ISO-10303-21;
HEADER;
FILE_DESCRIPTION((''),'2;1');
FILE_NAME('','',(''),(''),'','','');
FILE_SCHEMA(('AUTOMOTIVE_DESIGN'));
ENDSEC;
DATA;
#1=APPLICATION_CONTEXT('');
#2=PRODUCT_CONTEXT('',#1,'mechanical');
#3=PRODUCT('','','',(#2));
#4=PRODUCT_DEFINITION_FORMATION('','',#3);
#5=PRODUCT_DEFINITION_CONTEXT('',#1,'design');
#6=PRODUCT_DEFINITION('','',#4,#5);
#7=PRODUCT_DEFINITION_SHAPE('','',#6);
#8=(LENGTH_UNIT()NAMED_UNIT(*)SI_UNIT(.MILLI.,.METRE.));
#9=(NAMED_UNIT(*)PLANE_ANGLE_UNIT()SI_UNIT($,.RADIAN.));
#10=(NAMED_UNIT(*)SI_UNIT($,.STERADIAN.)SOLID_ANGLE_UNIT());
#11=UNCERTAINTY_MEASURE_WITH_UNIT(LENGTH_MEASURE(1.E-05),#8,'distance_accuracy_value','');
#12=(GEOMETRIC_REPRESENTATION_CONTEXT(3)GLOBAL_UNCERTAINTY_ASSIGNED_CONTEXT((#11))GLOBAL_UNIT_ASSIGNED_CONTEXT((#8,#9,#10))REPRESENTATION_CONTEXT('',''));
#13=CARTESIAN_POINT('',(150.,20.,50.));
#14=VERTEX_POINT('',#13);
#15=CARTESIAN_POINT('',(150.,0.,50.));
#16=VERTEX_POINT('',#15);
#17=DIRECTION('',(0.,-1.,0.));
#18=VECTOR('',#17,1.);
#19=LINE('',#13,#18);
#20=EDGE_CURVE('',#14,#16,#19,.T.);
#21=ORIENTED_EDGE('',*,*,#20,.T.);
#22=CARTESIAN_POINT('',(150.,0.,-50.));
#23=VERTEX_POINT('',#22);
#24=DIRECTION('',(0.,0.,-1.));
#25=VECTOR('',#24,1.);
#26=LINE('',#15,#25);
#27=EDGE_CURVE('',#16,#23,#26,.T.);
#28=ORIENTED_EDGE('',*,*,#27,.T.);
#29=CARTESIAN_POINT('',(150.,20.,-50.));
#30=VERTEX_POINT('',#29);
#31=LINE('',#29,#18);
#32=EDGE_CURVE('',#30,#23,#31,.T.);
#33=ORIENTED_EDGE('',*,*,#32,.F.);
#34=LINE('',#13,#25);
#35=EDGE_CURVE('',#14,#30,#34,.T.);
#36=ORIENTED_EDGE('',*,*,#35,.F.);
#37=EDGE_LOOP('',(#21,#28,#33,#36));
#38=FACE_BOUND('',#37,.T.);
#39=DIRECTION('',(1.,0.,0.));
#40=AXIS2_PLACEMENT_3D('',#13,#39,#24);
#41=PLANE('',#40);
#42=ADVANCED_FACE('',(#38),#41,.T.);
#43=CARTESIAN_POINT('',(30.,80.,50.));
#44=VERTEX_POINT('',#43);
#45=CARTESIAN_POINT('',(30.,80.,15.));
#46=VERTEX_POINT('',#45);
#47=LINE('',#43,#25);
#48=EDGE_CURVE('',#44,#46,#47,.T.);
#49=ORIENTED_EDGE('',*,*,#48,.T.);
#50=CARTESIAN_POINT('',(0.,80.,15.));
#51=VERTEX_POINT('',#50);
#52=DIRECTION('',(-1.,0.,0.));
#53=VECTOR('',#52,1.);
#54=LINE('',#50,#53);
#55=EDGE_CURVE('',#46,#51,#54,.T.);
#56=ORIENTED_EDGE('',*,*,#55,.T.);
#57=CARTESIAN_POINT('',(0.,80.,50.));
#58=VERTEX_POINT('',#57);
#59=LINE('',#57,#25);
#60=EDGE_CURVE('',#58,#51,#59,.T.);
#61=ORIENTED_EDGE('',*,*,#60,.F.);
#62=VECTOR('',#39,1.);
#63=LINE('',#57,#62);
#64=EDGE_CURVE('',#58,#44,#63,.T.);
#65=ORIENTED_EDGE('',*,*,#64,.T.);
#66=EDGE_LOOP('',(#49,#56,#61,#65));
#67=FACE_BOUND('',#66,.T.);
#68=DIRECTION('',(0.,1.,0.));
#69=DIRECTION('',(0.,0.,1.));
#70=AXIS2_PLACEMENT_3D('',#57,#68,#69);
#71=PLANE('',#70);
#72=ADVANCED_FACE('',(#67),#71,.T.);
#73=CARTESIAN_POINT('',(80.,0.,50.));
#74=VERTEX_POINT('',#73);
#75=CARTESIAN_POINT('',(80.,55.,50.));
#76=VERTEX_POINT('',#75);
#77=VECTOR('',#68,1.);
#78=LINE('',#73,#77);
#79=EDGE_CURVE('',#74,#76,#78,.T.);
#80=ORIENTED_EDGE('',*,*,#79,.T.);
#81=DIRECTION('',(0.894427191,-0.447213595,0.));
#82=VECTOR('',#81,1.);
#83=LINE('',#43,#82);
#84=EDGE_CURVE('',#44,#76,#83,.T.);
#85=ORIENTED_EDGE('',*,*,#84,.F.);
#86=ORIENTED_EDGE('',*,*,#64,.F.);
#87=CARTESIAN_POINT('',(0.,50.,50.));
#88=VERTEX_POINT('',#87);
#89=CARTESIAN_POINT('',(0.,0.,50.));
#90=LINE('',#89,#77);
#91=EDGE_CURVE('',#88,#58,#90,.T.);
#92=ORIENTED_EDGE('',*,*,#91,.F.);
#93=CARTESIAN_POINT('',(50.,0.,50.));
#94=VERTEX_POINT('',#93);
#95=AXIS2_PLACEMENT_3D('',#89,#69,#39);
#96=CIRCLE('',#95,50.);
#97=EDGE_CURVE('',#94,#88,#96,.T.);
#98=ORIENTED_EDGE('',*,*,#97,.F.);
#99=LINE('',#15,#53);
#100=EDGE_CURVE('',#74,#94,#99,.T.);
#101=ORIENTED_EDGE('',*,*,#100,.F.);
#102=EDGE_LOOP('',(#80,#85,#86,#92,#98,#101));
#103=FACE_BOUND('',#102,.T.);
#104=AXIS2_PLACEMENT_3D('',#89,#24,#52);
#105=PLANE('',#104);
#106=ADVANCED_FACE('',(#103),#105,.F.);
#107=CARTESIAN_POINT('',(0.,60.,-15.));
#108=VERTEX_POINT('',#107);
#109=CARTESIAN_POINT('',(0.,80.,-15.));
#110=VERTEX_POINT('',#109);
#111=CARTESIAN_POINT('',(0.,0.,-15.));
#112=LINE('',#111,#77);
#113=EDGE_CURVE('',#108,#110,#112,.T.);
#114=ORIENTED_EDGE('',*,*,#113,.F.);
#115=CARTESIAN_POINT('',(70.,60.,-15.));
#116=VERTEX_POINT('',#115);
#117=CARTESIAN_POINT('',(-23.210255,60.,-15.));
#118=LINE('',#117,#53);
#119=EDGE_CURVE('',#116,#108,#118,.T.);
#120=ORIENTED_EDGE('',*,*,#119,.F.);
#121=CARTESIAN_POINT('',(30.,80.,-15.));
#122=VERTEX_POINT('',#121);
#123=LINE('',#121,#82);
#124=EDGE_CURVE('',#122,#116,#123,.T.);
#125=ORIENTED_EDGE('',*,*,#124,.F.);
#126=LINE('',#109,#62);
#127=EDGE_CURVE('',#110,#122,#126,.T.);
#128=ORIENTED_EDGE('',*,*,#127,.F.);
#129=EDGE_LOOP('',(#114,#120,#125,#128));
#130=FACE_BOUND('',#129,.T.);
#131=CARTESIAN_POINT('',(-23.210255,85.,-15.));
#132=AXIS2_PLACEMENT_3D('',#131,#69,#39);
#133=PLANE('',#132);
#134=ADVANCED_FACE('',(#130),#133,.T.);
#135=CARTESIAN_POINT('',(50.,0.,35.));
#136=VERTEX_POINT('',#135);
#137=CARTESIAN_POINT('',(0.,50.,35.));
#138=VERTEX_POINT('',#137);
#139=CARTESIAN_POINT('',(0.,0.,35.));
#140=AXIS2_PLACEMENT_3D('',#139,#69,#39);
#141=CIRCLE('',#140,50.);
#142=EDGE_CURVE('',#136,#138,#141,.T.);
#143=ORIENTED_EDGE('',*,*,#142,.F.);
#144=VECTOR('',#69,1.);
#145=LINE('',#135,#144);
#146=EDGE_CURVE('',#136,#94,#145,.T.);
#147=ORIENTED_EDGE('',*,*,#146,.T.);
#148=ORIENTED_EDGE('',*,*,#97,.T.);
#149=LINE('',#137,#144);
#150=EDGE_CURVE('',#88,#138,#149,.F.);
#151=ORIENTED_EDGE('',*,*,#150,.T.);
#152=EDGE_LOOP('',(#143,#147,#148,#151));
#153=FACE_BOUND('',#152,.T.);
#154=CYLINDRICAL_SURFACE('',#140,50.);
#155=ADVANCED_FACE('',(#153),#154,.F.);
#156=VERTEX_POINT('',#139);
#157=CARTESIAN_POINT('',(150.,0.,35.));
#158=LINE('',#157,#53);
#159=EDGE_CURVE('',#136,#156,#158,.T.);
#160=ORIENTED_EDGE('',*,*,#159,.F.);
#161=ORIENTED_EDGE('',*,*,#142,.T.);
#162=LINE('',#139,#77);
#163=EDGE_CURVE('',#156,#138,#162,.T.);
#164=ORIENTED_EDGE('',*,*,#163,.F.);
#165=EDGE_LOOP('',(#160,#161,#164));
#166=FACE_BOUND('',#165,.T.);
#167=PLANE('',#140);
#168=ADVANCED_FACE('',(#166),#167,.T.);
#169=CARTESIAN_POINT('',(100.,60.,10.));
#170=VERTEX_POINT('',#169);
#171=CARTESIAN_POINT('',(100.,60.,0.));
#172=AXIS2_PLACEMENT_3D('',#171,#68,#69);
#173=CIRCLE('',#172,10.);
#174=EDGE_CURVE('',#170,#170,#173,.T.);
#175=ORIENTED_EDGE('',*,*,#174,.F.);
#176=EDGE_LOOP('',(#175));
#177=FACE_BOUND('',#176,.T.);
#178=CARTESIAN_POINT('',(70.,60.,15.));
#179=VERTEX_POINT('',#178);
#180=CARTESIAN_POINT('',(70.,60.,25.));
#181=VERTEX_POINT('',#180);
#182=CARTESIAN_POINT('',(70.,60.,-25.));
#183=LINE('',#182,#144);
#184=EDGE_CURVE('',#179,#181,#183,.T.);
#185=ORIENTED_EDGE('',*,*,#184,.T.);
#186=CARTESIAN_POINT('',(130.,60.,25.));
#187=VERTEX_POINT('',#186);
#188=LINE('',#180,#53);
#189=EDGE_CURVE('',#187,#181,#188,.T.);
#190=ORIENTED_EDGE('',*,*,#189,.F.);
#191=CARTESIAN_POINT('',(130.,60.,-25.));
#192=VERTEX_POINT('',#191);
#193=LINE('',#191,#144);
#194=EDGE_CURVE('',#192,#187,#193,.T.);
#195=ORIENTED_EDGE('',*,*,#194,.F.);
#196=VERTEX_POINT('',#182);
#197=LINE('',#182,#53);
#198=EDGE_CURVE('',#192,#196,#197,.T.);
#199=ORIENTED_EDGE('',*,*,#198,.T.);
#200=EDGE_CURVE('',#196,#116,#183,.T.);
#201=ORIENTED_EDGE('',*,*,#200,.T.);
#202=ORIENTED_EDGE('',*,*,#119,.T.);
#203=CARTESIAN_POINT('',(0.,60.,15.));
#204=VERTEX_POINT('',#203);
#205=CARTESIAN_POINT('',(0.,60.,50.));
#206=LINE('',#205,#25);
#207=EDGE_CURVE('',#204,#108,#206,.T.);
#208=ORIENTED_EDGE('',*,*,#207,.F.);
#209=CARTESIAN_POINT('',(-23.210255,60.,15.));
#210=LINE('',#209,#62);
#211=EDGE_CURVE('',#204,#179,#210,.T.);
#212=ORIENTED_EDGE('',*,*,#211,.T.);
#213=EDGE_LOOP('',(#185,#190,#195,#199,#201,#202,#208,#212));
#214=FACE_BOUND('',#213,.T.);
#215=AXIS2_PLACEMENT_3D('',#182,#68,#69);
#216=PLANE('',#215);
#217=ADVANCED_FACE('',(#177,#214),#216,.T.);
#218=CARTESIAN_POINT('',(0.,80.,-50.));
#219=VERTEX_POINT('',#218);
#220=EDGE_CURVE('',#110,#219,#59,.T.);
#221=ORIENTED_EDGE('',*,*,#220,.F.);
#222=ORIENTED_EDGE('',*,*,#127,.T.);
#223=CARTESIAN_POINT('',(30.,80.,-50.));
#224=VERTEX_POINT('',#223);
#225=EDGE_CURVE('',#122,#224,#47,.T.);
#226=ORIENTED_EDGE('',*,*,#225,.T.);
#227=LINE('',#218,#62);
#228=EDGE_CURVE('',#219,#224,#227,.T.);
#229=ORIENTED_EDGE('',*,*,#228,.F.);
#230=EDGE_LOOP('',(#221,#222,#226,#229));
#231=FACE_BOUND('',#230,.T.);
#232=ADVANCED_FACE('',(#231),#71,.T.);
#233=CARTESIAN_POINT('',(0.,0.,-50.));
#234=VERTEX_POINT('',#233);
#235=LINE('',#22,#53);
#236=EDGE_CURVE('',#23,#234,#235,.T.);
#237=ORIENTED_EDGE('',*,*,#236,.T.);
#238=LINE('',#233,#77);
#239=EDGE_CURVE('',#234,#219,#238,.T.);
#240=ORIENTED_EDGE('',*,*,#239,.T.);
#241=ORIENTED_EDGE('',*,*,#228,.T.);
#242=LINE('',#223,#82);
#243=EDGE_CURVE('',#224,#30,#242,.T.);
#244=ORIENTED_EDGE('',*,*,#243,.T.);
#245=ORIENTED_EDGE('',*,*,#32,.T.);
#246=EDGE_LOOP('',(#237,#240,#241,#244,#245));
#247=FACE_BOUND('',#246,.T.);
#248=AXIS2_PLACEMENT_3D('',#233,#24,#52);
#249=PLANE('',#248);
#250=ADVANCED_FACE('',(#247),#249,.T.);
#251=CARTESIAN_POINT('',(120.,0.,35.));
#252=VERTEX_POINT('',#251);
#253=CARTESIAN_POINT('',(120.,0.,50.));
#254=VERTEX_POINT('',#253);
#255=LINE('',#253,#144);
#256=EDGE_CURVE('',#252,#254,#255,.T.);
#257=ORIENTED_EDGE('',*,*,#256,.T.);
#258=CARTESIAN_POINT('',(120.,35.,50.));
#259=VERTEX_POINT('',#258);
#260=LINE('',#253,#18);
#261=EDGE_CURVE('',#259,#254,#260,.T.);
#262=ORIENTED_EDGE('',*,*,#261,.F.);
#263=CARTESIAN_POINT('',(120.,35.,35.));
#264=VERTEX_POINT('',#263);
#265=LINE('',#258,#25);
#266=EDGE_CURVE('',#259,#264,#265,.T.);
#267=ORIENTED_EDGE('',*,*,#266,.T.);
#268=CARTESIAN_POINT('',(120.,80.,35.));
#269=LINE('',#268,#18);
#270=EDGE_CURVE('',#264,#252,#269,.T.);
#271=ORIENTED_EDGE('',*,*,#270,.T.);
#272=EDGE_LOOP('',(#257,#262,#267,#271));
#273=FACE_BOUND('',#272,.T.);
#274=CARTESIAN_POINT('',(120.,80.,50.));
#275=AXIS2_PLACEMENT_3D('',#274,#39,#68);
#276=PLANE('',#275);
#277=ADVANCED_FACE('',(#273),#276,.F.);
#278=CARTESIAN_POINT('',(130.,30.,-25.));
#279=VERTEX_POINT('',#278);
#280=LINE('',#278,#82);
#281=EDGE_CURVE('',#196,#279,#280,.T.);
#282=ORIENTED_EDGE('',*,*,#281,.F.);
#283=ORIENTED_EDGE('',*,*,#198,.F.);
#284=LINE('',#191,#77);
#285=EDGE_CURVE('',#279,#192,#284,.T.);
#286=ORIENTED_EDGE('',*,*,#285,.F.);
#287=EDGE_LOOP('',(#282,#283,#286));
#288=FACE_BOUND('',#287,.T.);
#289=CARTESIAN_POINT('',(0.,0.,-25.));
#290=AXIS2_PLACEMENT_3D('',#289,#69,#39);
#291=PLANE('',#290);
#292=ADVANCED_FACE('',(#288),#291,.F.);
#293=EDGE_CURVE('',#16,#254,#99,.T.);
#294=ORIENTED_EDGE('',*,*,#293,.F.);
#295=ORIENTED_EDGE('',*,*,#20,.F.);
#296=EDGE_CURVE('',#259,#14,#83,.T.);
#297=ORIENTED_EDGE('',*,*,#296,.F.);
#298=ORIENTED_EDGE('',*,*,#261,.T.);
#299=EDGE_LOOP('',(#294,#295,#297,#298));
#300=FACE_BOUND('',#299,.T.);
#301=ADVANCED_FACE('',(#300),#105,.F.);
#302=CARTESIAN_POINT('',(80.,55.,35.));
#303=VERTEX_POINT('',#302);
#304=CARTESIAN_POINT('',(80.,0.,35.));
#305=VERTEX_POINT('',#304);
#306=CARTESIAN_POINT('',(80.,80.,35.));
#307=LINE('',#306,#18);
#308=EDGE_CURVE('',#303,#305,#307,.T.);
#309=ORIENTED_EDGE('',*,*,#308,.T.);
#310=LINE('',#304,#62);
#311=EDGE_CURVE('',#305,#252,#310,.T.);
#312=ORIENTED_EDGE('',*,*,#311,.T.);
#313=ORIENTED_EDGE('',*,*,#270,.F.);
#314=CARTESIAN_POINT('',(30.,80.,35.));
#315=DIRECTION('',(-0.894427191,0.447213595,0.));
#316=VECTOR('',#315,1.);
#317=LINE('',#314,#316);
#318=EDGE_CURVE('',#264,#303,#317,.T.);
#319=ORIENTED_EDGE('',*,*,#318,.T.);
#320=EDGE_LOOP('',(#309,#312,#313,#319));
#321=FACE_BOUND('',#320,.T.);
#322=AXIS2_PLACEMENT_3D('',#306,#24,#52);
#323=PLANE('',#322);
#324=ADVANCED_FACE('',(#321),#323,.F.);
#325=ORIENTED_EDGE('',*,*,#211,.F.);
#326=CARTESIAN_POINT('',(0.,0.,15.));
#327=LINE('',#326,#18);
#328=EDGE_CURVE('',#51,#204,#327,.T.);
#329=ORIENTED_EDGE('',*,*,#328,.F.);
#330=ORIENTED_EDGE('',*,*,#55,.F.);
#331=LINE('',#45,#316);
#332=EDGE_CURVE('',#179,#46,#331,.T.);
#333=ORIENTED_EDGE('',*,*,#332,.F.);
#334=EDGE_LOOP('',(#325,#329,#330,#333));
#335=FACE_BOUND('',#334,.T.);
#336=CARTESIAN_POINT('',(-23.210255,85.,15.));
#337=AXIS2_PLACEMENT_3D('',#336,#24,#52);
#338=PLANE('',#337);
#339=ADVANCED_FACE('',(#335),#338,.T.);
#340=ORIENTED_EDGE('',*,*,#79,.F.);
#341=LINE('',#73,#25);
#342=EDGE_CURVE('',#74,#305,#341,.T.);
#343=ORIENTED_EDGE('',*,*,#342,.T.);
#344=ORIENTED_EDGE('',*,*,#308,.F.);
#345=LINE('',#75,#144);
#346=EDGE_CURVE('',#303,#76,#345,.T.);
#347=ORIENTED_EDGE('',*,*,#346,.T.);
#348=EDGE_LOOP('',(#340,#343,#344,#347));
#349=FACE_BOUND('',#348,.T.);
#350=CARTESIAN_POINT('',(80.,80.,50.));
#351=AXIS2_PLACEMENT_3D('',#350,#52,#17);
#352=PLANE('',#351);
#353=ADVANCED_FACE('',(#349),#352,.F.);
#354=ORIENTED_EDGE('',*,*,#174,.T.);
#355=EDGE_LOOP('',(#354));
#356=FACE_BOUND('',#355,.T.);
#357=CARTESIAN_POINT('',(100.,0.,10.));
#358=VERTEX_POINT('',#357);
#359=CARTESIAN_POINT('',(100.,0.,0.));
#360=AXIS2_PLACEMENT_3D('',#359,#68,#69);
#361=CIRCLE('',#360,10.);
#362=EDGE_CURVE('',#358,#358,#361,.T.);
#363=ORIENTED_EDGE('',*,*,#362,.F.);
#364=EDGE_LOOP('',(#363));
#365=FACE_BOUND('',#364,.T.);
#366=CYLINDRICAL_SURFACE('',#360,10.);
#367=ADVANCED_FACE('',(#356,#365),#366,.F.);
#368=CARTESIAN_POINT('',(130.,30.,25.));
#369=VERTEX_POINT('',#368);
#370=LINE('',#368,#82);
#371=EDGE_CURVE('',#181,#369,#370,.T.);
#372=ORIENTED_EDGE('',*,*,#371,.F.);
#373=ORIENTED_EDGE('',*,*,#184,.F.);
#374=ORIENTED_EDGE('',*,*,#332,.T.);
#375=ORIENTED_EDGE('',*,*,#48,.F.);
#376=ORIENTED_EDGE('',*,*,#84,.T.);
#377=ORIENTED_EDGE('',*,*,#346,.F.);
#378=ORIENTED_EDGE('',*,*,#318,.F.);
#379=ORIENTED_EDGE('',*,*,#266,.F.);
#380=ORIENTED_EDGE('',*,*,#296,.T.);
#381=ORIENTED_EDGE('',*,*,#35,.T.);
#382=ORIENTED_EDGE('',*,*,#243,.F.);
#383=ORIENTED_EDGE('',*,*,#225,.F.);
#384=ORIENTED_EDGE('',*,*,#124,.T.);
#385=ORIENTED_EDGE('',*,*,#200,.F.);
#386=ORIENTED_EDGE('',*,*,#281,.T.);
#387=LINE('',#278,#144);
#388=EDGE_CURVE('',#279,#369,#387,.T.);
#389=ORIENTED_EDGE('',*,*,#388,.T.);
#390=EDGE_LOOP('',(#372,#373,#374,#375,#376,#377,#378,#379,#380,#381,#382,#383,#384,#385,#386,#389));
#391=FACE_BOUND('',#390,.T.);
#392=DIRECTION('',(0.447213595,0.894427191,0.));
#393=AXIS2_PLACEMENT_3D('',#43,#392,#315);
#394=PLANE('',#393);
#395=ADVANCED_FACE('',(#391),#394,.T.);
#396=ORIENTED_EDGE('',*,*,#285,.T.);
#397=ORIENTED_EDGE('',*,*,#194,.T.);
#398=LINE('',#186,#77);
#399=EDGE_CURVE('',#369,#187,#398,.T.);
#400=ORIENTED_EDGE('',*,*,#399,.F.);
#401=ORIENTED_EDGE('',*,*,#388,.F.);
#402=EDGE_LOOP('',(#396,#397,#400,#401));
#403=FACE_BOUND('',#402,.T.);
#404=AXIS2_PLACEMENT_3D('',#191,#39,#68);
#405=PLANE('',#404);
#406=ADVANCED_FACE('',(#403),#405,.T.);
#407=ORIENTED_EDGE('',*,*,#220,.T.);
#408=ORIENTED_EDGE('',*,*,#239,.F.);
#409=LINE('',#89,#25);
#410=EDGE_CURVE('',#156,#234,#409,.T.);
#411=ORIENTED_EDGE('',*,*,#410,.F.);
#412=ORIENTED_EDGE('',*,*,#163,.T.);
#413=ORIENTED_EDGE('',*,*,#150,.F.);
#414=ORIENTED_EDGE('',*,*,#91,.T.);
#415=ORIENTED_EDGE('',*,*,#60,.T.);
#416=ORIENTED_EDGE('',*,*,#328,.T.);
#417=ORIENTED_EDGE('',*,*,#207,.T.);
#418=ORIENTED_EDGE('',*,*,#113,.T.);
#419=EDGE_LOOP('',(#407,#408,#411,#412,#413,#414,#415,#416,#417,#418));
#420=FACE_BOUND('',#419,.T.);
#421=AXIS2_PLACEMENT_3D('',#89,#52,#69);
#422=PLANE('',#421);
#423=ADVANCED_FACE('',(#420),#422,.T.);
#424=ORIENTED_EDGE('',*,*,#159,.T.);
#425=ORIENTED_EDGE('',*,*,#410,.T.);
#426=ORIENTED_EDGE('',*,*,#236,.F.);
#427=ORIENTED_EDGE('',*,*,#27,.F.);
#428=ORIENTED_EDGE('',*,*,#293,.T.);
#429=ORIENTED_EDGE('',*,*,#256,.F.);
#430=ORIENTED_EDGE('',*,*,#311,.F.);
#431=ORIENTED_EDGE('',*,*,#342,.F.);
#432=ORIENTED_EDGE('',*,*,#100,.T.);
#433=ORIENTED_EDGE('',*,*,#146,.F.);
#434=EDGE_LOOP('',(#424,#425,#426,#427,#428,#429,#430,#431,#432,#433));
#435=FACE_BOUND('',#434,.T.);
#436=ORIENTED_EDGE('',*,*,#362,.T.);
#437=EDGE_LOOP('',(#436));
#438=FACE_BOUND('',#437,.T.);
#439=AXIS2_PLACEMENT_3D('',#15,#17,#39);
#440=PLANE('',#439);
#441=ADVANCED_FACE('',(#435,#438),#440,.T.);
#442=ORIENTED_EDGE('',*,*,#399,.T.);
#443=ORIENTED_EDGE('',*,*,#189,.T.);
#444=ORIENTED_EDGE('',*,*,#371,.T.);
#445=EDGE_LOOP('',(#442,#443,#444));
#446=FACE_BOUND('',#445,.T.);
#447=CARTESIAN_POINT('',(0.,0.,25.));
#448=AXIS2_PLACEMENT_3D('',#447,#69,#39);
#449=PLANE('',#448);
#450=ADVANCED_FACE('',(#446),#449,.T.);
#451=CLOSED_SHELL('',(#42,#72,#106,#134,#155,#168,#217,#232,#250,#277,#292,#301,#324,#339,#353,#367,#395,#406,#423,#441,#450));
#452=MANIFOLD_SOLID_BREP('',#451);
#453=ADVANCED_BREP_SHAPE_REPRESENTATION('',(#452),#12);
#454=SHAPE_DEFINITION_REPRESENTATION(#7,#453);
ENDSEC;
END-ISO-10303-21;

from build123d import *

# Parameters (mm, degrees)
BOSS_EXTRUDE1_DEPTH      = 50
BOSS_EXTRUDE1_DEPTH_BACK = 50
SKETCH2_R                = 50
CUT_EXTRUDE2_DEPTH       = 15
BOSS_EXTRUDE2_DEPTH      = 25
BOSS_EXTRUDE2_DEPTH_BACK = 25
SKETCH5_W                = 104.607091917
SKETCH5_H                = 30
CUT_EXTRUDE3_DEPTH       = 25
SKETCH6_W                = 40
SKETCH6_H                = 15
CUT_EXTRUDE4_DEPTH       = 178.200451467
SKETCH7_R                = 10
CUT_EXTRUDE5_DEPTH       = 170.115345253


with BuildPart() as part:
    # Sketch1 → Boss-Extrude1 (new, two sides: drawn at the far end of the back side and taken through both)
    with BuildSketch(Plane.XY.offset(-BOSS_EXTRUDE1_DEPTH_BACK)):
        Polygon((0, 0), (0, 80), (30, 80), (150, 20), (150, 0), align=None)
    extrude(amount=BOSS_EXTRUDE1_DEPTH + BOSS_EXTRUDE1_DEPTH_BACK)

    # Sketch2 → Cut-Extrude2 (cut)
    with BuildSketch(Plane.XY.offset(50)):
        Circle(SKETCH2_R)
    extrude(amount=-CUT_EXTRUDE2_DEPTH, mode=Mode.SUBTRACT)

    # Sketch4 → Boss-Extrude2 (add, two sides: drawn at the far end of the back side and taken through both)
    with BuildSketch(Plane.XY.offset(-BOSS_EXTRUDE2_DEPTH_BACK)):
        Polygon((70, 60), (130, 60), (130, 30), align=None)
    extrude(amount=BOSS_EXTRUDE2_DEPTH + BOSS_EXTRUDE2_DEPTH_BACK)

    # Sketch5 → Cut-Extrude3 (cut)
    with BuildSketch(Plane(origin=(0, 60, 0), x_dir=(1, 0, 0), z_dir=(0, 1, 0))):
        with Locations((29.093290598, 0)):
            Rectangle(SKETCH5_W, SKETCH5_H)
    extrude(amount=CUT_EXTRUDE3_DEPTH, mode=Mode.SUBTRACT)

    # Sketch6 → Cut-Extrude4 (cut, through all)
    with BuildSketch(Plane.XZ):
        with Locations((100, 42.5)):
            Rectangle(SKETCH6_W, SKETCH6_H)
    extrude(amount=-CUT_EXTRUDE4_DEPTH, mode=Mode.SUBTRACT)

    # Sketch7 → Cut-Extrude5 (cut, through all)
    with BuildSketch(Plane(origin=(0, 60, 0), x_dir=(1, 0, 0), z_dir=(0, 1, 0))):
        with Locations((100, 0)):
            Circle(SKETCH7_R)
    extrude(amount=-CUT_EXTRUDE5_DEPTH, mode=Mode.SUBTRACT)


solid = part.part
